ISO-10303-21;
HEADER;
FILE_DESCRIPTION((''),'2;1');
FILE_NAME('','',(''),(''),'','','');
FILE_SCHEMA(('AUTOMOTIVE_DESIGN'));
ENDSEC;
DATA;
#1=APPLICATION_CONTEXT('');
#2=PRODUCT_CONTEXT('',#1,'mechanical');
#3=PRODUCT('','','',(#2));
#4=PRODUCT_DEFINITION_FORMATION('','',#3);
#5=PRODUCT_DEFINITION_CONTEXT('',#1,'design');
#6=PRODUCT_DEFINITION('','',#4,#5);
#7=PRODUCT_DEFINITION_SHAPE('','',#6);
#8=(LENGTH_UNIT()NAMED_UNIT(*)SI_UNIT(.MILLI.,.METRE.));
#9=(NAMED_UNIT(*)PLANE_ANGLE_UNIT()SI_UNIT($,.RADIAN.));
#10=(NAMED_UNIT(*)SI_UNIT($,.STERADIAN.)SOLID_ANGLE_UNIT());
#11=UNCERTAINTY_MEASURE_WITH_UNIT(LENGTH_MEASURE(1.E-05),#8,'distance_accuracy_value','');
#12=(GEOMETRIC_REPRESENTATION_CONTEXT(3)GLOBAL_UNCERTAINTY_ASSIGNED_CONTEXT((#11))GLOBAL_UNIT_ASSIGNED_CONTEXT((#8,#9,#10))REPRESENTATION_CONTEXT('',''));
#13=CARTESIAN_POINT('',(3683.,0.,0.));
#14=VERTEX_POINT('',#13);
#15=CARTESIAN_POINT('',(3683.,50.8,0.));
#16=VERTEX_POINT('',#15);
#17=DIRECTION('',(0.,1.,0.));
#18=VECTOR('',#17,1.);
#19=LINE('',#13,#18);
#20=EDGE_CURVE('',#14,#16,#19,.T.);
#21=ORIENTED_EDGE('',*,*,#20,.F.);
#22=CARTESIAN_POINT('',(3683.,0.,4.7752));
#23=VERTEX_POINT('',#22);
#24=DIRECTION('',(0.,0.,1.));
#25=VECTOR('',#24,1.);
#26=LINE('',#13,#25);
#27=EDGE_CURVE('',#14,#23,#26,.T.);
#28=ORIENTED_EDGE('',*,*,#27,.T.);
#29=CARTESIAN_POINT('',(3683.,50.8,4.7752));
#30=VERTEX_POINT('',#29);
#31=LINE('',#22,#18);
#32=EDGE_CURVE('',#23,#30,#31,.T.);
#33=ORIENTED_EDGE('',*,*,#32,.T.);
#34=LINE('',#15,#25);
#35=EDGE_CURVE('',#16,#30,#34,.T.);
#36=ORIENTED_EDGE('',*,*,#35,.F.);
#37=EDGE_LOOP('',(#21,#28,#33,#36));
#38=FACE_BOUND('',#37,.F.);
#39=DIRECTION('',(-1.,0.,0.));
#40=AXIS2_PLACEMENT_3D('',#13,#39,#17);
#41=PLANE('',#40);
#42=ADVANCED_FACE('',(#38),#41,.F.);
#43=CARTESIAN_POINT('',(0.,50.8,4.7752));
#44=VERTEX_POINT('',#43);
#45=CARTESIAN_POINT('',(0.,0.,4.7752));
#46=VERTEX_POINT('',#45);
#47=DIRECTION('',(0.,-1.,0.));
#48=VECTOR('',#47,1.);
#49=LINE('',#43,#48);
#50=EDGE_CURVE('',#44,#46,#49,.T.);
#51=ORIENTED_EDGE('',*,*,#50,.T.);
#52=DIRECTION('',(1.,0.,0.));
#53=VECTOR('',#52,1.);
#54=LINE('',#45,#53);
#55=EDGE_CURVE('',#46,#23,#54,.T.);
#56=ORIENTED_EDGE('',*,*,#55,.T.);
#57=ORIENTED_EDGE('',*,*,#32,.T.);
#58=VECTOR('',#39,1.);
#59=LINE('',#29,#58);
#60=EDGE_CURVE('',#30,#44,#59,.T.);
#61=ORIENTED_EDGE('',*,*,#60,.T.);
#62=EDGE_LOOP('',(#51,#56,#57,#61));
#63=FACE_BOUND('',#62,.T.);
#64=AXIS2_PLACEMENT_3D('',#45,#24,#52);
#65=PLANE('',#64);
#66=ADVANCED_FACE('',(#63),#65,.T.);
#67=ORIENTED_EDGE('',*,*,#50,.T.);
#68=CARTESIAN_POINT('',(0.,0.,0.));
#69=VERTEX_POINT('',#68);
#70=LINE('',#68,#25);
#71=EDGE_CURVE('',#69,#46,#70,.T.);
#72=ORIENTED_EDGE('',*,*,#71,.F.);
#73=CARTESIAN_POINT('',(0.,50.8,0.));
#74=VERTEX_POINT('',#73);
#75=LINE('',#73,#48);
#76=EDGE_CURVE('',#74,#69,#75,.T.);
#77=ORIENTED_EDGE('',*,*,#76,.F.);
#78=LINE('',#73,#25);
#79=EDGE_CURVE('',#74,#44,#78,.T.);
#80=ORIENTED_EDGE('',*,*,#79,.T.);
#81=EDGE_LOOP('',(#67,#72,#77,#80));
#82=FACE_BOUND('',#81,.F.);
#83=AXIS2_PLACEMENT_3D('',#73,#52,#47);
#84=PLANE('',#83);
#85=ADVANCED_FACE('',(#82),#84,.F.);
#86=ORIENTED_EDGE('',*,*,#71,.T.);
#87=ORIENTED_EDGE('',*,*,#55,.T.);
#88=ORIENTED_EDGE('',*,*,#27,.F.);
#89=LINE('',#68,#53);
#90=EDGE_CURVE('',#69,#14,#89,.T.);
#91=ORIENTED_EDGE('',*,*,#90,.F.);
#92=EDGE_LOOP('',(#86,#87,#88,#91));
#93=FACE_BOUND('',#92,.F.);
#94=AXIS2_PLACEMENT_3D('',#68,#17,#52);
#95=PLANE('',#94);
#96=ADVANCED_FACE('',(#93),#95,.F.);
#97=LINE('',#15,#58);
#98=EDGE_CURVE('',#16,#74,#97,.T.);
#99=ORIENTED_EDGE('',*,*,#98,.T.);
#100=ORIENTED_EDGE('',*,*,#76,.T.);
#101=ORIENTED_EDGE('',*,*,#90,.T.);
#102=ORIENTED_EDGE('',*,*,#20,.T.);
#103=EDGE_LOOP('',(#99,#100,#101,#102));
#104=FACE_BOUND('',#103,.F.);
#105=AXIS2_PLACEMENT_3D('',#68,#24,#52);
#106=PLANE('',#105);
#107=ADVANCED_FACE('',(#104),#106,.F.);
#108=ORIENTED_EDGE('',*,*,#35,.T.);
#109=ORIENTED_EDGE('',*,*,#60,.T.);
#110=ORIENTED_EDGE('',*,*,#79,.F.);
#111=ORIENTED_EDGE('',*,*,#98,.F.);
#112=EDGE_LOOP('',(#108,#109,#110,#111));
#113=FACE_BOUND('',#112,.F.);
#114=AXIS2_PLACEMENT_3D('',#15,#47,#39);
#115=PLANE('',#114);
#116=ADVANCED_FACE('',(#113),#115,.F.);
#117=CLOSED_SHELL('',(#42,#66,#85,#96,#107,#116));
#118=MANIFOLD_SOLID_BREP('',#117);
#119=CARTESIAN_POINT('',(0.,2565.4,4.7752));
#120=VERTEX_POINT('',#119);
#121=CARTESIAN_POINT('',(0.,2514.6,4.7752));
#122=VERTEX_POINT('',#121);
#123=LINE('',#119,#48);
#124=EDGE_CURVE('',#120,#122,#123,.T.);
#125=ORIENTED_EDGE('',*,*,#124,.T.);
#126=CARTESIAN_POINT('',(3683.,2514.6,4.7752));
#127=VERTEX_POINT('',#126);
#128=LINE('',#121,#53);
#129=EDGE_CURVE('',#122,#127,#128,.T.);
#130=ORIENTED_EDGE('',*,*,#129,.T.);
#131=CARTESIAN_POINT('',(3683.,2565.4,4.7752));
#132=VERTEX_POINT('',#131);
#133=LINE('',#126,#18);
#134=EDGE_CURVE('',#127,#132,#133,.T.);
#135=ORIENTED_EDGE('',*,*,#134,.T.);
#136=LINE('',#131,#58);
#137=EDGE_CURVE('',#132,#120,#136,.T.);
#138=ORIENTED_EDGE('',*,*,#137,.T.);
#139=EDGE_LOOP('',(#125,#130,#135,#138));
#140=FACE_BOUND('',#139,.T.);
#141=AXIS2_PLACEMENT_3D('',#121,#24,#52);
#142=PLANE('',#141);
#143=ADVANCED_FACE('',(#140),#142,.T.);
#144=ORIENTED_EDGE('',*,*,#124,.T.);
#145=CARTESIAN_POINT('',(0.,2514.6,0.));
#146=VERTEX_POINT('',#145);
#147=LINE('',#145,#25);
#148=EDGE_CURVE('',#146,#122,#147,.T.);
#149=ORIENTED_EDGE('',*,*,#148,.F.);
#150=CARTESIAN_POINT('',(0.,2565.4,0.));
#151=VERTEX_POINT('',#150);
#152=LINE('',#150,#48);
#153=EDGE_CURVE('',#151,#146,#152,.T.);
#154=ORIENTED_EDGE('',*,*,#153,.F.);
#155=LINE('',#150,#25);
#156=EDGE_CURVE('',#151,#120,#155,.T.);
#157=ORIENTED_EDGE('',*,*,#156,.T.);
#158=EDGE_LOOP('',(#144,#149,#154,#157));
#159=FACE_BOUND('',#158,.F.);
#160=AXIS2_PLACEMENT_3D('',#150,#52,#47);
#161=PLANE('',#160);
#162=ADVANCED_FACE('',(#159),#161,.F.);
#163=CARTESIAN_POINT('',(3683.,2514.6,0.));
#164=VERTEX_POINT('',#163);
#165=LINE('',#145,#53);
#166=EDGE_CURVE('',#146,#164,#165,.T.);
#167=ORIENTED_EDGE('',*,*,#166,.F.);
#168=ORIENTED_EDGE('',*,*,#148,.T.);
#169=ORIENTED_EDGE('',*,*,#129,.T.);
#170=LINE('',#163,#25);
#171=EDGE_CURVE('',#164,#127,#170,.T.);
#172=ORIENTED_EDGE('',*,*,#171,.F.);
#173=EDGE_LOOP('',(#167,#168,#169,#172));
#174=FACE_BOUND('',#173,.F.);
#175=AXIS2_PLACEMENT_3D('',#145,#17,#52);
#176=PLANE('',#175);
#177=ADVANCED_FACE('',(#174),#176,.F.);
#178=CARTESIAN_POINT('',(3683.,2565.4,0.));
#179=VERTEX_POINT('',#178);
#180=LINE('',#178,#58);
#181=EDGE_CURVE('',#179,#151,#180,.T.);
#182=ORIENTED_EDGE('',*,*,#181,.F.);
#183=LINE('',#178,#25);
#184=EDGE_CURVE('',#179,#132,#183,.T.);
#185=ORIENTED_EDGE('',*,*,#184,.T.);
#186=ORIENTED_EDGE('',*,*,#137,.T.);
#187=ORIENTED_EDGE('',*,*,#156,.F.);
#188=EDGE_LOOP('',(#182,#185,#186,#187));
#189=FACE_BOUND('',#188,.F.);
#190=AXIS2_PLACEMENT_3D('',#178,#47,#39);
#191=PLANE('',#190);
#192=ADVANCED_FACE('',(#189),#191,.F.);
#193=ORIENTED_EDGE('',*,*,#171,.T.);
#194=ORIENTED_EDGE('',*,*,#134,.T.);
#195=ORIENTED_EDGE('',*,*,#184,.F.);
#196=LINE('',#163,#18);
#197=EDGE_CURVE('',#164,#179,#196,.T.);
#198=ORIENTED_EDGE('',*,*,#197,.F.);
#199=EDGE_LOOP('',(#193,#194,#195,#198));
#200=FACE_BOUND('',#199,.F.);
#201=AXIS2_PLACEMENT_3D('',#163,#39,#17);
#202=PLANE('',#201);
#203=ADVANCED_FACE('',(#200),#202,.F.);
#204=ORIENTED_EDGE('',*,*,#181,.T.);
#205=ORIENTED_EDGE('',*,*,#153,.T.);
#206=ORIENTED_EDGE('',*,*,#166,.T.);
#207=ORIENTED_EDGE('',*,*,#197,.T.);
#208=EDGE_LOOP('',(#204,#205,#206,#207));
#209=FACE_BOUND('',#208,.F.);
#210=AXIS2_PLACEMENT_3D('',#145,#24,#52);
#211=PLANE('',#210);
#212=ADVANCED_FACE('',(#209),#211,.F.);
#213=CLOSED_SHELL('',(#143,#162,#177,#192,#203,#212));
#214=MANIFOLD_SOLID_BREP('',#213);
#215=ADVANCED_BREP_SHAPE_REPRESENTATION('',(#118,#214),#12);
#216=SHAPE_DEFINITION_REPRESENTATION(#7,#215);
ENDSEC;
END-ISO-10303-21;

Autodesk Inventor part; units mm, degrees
ref_plane "YZ Plane" through (0, 0, 0) normal (1, 0, 0) x (0, 1, 0)
ref_plane "XZ Plane" through (0, 0, 0) normal (0, 1, 0) x (-1, 0, 0)
ref_plane "XY Plane" through (0, 0, 0) normal (0, 0, 1) x (1, 0, 0)
sketch "Sketch1" plane through (0, 0, 0) normal (0, 0, 1) x (1, 0, 0)
  line L0 (0, 0) -> (3683, 0)
  line L1 (3683, 0) -> (3683, 50.8)
  line L2 (3683, 50.8) -> (0, 50.8)
  line L3 (0, 50.8) -> (0, 0)
  dimension "d0" = 50.8
  dimension "d1" = 3683
extrude "Extrusion1" add sketch "Sketch1" along normal blind 4.7752
pattern_linear "Rectangular Pattern1" count 2 spacing 2514.6 along (0, 1, 0) of "Extrusion1"
properties part number "Tape_key"
